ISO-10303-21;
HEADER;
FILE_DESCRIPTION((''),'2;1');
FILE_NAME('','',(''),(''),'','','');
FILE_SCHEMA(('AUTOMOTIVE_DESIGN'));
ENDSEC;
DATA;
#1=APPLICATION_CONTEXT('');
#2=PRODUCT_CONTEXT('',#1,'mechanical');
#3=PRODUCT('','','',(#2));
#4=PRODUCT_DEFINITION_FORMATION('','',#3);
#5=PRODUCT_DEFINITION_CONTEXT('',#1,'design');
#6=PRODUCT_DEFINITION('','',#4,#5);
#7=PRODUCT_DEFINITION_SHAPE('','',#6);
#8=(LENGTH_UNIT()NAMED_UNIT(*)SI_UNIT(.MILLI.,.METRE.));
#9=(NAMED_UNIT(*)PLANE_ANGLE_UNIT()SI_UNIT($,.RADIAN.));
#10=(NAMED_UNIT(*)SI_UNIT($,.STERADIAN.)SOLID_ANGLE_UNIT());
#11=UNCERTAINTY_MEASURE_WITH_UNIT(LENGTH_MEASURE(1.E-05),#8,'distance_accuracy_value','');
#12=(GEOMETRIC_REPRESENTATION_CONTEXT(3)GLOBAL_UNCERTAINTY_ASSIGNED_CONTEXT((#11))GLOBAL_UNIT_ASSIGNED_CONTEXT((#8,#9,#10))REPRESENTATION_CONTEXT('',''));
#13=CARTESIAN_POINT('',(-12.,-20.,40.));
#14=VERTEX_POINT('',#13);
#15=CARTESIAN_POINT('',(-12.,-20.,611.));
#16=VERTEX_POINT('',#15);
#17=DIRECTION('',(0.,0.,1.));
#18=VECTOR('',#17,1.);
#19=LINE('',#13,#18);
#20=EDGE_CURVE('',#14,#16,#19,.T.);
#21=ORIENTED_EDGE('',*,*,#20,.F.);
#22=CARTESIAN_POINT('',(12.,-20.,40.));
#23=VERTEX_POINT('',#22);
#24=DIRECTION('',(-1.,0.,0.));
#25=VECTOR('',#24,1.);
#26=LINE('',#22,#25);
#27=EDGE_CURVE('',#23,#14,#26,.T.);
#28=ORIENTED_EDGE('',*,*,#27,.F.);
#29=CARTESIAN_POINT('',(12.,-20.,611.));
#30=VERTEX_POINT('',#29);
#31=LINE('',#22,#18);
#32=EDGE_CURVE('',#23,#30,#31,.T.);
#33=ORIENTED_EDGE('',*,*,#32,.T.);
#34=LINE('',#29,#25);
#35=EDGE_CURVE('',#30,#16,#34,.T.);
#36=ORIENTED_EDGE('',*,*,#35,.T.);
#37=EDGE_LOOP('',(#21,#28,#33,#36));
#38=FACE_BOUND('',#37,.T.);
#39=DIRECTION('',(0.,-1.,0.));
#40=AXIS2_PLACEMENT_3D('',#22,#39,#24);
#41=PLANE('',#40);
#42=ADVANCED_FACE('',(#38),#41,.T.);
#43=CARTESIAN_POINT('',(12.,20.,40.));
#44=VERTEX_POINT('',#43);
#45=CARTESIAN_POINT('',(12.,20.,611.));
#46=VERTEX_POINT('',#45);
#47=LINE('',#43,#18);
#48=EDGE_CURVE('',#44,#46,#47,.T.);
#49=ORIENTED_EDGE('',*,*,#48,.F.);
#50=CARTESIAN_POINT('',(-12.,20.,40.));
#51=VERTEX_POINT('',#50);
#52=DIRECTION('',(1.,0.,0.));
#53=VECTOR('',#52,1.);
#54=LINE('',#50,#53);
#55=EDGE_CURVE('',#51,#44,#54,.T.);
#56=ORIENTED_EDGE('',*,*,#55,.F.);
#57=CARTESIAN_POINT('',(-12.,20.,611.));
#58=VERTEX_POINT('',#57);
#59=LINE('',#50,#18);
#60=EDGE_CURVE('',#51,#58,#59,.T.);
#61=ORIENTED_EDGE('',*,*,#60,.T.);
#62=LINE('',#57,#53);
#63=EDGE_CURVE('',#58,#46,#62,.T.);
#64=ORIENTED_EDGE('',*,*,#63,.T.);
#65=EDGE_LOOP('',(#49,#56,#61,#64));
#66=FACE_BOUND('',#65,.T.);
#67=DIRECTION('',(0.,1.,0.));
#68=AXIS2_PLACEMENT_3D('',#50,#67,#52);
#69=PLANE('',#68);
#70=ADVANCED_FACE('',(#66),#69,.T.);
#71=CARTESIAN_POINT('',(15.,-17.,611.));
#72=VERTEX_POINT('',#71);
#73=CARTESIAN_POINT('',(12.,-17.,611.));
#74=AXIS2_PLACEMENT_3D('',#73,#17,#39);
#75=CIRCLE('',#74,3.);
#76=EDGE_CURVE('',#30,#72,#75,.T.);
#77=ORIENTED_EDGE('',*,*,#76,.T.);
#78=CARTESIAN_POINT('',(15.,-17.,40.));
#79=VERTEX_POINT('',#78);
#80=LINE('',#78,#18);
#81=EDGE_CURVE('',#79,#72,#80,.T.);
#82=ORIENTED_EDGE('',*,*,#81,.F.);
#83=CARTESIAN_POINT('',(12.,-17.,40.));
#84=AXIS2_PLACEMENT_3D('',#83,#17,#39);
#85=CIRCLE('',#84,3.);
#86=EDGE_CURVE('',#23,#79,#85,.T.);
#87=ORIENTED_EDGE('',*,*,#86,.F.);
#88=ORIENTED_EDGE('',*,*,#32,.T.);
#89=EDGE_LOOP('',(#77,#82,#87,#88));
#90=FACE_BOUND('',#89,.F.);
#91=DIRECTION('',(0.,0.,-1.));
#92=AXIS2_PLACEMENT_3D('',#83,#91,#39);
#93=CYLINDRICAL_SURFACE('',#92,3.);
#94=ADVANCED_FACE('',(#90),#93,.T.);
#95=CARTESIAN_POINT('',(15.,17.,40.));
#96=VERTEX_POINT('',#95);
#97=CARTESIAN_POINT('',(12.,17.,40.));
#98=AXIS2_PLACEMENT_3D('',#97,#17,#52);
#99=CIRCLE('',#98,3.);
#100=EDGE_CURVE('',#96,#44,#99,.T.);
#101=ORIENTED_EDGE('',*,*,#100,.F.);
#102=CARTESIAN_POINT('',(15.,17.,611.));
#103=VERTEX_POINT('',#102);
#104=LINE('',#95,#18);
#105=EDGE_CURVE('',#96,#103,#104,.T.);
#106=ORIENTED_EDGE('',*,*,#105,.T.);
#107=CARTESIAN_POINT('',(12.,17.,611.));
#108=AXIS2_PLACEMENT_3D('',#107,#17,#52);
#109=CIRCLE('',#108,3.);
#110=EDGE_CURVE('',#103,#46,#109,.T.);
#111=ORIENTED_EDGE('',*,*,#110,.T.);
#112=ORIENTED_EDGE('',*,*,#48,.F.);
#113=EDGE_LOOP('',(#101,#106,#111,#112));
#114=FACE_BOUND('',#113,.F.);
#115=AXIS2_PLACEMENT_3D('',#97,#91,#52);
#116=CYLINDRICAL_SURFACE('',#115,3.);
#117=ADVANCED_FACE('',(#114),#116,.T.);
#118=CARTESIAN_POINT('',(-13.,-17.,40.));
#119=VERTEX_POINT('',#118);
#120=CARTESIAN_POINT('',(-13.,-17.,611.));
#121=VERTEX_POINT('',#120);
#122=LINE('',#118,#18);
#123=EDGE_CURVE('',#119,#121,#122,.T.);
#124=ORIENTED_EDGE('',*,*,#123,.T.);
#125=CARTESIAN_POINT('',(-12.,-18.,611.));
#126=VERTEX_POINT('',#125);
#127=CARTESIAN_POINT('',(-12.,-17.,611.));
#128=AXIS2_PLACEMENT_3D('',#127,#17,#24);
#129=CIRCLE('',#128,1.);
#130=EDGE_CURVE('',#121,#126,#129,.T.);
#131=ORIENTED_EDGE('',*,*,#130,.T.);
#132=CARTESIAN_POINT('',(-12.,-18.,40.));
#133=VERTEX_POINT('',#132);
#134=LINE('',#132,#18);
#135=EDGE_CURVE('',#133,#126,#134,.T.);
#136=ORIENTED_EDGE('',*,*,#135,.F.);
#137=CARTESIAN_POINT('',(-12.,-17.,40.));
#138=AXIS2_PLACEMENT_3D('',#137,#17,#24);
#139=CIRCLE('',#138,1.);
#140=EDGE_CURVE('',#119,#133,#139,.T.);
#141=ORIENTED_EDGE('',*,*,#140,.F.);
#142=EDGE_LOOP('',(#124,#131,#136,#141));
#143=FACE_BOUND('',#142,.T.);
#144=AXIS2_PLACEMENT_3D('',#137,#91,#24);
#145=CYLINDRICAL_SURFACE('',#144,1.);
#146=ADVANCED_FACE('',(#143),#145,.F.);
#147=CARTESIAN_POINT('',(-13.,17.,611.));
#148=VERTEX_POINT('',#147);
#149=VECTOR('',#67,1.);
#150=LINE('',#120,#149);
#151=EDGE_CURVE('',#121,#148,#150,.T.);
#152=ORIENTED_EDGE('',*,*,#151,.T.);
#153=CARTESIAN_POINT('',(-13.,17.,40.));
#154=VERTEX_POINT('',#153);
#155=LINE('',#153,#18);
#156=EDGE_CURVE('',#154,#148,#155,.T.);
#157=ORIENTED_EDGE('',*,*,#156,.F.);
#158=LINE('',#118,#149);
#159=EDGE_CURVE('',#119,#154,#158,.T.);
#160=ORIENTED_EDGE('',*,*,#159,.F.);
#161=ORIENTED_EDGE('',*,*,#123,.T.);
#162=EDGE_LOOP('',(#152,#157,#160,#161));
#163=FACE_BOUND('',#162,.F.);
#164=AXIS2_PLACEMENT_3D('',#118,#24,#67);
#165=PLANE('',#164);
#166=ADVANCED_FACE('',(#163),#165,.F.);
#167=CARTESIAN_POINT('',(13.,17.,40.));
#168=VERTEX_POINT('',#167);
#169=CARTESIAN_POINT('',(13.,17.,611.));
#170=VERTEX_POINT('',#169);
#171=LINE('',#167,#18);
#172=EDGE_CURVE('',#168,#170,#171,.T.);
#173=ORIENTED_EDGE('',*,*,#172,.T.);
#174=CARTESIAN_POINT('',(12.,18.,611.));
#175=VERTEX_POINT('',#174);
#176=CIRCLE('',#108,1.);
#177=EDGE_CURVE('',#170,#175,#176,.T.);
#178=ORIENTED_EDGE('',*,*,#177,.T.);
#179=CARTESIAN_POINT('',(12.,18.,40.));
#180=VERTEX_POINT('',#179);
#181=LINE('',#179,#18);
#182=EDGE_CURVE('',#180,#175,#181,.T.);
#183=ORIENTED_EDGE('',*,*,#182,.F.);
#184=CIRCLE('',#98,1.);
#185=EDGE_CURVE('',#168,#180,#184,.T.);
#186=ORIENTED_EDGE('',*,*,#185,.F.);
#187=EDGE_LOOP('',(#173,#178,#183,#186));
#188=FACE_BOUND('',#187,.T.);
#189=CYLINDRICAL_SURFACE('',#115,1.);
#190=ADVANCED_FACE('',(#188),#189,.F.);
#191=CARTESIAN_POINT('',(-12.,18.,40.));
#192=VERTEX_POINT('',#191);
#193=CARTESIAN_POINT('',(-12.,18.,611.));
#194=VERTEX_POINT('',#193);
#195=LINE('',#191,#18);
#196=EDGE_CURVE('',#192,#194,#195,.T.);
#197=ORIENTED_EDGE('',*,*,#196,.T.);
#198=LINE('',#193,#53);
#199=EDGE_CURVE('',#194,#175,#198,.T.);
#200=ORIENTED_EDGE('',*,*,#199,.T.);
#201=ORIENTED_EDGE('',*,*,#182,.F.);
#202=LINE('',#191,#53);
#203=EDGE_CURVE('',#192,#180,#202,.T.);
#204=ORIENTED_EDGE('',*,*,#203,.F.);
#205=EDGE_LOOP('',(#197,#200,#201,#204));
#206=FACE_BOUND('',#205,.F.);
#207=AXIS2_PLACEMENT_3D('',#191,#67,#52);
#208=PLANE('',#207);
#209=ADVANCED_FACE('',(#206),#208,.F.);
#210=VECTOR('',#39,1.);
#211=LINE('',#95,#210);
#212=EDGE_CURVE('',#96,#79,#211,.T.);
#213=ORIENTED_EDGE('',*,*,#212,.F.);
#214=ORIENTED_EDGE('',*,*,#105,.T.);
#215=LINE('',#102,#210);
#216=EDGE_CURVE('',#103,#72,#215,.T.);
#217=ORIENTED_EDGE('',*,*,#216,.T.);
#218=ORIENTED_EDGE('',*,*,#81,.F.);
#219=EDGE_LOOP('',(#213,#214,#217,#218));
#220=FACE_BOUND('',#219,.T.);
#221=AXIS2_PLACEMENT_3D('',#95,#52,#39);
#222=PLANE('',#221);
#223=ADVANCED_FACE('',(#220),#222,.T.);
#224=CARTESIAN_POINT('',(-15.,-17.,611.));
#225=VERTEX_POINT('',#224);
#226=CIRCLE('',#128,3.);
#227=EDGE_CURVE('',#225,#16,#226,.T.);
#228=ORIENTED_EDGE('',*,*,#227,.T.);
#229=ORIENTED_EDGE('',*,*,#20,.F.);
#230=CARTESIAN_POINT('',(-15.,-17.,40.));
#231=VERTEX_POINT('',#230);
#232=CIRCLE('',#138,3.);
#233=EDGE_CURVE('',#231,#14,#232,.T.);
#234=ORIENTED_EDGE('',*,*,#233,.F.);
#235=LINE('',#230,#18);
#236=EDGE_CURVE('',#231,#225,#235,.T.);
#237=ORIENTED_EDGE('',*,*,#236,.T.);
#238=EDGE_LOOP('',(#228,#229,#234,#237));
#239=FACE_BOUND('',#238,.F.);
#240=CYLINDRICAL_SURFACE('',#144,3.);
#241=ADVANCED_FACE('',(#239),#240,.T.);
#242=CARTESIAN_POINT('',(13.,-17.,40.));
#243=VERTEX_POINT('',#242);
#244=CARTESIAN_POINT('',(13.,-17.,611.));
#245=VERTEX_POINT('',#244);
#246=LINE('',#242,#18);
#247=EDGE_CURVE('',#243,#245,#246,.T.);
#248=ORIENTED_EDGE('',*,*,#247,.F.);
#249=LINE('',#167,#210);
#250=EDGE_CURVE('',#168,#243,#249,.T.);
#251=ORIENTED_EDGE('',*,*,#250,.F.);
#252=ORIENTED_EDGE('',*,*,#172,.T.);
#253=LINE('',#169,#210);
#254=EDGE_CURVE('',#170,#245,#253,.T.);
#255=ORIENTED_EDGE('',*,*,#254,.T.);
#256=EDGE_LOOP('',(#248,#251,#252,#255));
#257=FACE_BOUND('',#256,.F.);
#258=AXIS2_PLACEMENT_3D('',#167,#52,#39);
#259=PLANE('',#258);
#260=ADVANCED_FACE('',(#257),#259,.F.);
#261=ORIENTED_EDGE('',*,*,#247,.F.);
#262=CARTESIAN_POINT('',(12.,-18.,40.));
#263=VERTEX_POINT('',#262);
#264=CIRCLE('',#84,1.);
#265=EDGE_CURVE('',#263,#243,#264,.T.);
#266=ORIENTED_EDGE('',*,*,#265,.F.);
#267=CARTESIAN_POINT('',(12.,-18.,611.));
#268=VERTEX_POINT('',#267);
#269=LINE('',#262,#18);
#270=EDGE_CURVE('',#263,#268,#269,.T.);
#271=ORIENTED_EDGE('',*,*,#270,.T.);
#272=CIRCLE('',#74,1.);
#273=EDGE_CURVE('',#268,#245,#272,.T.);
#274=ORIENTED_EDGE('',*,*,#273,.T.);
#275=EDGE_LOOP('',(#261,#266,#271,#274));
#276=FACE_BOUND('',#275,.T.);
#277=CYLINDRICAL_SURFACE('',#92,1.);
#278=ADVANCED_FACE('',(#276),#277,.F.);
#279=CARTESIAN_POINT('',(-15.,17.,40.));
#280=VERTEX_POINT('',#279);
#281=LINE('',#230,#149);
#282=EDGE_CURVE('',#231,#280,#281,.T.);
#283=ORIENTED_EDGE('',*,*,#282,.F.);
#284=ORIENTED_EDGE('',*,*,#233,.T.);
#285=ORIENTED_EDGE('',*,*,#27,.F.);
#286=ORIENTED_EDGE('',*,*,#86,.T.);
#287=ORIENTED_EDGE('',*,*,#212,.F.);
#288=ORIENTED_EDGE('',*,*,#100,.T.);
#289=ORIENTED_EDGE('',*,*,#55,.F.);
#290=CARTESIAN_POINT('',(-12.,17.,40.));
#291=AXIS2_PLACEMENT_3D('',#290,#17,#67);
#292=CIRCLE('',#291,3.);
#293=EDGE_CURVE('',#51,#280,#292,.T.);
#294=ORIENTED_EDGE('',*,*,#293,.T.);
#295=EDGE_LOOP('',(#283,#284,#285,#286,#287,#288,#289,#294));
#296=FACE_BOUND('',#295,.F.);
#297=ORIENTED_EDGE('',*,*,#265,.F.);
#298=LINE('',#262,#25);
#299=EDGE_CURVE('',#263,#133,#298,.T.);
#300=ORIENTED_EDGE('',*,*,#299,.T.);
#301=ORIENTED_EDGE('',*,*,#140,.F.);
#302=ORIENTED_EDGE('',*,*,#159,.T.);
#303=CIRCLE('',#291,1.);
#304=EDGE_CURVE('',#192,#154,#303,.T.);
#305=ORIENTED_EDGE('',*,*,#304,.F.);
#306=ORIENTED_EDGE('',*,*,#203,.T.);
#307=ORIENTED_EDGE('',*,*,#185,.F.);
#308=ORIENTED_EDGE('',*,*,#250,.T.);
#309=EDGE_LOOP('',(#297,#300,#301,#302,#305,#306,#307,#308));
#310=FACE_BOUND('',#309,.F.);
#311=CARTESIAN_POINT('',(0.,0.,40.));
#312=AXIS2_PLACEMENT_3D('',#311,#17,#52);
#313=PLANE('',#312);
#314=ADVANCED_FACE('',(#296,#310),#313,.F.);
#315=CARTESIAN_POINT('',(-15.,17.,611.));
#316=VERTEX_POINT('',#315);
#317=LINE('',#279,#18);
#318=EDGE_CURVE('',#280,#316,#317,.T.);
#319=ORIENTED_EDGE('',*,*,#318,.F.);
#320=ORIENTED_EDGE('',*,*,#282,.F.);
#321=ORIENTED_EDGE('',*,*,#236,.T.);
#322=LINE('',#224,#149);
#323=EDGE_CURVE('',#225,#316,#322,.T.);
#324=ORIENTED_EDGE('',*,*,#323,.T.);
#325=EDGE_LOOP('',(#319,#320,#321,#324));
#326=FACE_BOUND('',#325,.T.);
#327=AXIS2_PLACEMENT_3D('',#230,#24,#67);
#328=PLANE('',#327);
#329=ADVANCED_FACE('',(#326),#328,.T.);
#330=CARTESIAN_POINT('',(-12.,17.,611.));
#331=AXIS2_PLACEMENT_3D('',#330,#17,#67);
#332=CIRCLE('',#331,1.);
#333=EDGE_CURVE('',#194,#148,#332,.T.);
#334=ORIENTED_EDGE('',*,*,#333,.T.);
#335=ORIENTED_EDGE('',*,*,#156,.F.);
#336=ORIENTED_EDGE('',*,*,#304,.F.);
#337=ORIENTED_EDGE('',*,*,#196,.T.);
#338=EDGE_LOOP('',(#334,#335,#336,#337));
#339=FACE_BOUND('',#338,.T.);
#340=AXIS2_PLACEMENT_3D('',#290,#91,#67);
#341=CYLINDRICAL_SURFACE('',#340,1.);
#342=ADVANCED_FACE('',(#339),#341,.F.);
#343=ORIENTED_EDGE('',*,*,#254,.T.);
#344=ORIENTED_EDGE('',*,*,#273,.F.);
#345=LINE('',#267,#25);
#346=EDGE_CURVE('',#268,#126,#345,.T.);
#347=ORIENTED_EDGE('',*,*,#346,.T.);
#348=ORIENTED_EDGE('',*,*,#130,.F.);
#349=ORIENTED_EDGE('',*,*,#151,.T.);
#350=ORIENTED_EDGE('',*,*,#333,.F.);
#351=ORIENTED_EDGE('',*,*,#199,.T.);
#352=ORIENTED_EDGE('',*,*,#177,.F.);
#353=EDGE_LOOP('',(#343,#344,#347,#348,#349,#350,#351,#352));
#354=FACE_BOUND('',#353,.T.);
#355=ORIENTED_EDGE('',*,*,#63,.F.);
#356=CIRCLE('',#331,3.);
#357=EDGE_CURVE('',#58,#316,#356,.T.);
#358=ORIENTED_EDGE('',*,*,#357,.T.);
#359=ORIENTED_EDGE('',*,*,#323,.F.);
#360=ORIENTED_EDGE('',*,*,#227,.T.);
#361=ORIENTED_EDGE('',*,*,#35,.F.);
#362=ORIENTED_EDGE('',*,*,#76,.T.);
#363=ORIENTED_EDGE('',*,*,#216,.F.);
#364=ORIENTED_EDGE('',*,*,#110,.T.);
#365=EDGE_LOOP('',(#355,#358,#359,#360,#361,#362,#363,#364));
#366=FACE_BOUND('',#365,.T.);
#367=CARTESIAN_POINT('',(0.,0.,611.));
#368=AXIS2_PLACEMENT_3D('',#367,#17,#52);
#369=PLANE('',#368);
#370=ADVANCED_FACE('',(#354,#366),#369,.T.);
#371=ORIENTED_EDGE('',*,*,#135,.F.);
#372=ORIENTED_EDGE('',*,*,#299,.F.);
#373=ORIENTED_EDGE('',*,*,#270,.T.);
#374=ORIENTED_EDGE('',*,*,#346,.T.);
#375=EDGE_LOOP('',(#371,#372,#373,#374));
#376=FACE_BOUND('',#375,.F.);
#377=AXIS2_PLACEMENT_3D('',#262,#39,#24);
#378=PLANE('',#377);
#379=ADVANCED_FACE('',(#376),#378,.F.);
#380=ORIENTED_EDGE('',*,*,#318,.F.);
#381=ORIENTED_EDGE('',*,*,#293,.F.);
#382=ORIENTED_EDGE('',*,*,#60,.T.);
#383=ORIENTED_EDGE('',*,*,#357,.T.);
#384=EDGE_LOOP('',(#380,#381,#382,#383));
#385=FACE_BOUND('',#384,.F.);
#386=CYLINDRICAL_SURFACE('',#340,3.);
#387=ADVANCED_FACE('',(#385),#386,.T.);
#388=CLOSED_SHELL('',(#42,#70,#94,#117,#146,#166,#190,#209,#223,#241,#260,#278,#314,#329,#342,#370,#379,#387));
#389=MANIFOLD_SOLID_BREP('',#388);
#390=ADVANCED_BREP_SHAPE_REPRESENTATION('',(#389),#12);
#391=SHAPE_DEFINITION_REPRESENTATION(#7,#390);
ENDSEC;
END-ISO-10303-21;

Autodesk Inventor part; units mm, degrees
ref_plane "Start plane" through (0, 0, 40) normal (0, 0, 1) x (1, 0, 0)
ref_plane "End plane" through (0, 0, 611) normal (0, 0, 1) x (1, 0, 0)
sketch "Sketch" plane through (0, 0, 0) normal (0, 0, 1) x (1, 0, 0)
  line L0 (-15, -17) -> (-15, 17)
  line L1 (-12, 20) -> (12, 20)
  line L2 (15, 17) -> (15, -17)
  line L3 (12, -20) -> (-12, -20)
  arc A0 (-15, -17) -> (-12, -20) centre (-12, -17) ccw
  arc A1 (-12, 20) -> (-15, 17) centre (-12, 17) ccw
  arc A2 (15, 17) -> (12, 20) centre (12, 17) ccw
  arc A3 (12, -20) -> (15, -17) centre (12, -17) ccw
  arc A4 (-12, 18) -> (-13, 17) centre (-12, 17) ccw
  line L4 (-12, 18) -> (12, 18)
  arc A5 (13, 17) -> (12, 18) centre (12, 17) ccw
  line L5 (13, 17) -> (13, -17)
  arc A6 (12, -18) -> (13, -17) centre (12, -17) ccw
  line L6 (12, -18) -> (-12, -18)
  arc A7 (-13, -17) -> (-12, -18) centre (-12, -17) ccw
  line L7 (-13, -17) -> (-13, 17)
  line L8 (0, 28.8698) -> (0, -28.8698) construction
  line L9 (-14.8698, 0) -> (14.8698, 0) construction
  dimension "d7" = 3
  dimension "d10" = 40
  dimension "d11" = 30
  dimension "d12" = 2
  dimension "d15" = 20
  dimension "d16" = 15
extrude "Body" add sketch "Sketch" along normal up to surface (571 mm away) from surface at 40
sketch "Sketch3" plane through (0, 0, 0) normal (0, 0, 1) x (1, 0, 0)
  line L0 (0, 0) -> (10, 0)
ref_plane "Work Plane3" through (0, 0, 0) normal (0, -1, 0) x (1, 0, 0)
sketch "Sketch4" plane through (0, 0, 0) normal (0, -1, 0) x (1, 0, 0)
  line L0 (-2, 40) -> (12, 40)
  line L1 (-2, 611) -> (12, 611)
  dimension "d18" = 571
ref_plane "Work Plane5" through (-390, -22, 40) normal (0, 0, -1) x (-1, 0, 0)
split "Split2" plane through (-390, -22, 40) removes the side toward (0, 0, -1)
ref_plane "Work Plane6" through (7, 620, 611) normal (0, 0, 1) x (1, 0, 0)
split "Split3" plane through (7, 620, 611) removes the side toward (0, 0, 1)
equation "\"d7\" = G_IR"
equation "\"d10\" = G_H"
equation "\"d11\" = G_W"
equation "\"d12\" = G_T"
equation "\"d15\" = 0.5 * d10"
equation "\"d16\" = 0.5 * d11"
equation "\"d3\" = G_L"
equation "\"G_W\" = 30"
equation "\"G_H\" = 40"
equation "\"G_T\" = 2"
equation "\"G_IR\" = 3"
equation "\"G_L\" = d18"
equation "\"G_OFFSET_START\" = -40"
equation "\"G_OFFSET_END\" = -40"
equation "\"d13\" = -G_OFFSET_START"
equation "\"d14\" = G_OFFSET_END + B_L"
equation "\"B_L\" = 651"
properties part number "UNI EN 10305-5 - 40 x 30 x 2  - 571" material "Steel, Mild"
